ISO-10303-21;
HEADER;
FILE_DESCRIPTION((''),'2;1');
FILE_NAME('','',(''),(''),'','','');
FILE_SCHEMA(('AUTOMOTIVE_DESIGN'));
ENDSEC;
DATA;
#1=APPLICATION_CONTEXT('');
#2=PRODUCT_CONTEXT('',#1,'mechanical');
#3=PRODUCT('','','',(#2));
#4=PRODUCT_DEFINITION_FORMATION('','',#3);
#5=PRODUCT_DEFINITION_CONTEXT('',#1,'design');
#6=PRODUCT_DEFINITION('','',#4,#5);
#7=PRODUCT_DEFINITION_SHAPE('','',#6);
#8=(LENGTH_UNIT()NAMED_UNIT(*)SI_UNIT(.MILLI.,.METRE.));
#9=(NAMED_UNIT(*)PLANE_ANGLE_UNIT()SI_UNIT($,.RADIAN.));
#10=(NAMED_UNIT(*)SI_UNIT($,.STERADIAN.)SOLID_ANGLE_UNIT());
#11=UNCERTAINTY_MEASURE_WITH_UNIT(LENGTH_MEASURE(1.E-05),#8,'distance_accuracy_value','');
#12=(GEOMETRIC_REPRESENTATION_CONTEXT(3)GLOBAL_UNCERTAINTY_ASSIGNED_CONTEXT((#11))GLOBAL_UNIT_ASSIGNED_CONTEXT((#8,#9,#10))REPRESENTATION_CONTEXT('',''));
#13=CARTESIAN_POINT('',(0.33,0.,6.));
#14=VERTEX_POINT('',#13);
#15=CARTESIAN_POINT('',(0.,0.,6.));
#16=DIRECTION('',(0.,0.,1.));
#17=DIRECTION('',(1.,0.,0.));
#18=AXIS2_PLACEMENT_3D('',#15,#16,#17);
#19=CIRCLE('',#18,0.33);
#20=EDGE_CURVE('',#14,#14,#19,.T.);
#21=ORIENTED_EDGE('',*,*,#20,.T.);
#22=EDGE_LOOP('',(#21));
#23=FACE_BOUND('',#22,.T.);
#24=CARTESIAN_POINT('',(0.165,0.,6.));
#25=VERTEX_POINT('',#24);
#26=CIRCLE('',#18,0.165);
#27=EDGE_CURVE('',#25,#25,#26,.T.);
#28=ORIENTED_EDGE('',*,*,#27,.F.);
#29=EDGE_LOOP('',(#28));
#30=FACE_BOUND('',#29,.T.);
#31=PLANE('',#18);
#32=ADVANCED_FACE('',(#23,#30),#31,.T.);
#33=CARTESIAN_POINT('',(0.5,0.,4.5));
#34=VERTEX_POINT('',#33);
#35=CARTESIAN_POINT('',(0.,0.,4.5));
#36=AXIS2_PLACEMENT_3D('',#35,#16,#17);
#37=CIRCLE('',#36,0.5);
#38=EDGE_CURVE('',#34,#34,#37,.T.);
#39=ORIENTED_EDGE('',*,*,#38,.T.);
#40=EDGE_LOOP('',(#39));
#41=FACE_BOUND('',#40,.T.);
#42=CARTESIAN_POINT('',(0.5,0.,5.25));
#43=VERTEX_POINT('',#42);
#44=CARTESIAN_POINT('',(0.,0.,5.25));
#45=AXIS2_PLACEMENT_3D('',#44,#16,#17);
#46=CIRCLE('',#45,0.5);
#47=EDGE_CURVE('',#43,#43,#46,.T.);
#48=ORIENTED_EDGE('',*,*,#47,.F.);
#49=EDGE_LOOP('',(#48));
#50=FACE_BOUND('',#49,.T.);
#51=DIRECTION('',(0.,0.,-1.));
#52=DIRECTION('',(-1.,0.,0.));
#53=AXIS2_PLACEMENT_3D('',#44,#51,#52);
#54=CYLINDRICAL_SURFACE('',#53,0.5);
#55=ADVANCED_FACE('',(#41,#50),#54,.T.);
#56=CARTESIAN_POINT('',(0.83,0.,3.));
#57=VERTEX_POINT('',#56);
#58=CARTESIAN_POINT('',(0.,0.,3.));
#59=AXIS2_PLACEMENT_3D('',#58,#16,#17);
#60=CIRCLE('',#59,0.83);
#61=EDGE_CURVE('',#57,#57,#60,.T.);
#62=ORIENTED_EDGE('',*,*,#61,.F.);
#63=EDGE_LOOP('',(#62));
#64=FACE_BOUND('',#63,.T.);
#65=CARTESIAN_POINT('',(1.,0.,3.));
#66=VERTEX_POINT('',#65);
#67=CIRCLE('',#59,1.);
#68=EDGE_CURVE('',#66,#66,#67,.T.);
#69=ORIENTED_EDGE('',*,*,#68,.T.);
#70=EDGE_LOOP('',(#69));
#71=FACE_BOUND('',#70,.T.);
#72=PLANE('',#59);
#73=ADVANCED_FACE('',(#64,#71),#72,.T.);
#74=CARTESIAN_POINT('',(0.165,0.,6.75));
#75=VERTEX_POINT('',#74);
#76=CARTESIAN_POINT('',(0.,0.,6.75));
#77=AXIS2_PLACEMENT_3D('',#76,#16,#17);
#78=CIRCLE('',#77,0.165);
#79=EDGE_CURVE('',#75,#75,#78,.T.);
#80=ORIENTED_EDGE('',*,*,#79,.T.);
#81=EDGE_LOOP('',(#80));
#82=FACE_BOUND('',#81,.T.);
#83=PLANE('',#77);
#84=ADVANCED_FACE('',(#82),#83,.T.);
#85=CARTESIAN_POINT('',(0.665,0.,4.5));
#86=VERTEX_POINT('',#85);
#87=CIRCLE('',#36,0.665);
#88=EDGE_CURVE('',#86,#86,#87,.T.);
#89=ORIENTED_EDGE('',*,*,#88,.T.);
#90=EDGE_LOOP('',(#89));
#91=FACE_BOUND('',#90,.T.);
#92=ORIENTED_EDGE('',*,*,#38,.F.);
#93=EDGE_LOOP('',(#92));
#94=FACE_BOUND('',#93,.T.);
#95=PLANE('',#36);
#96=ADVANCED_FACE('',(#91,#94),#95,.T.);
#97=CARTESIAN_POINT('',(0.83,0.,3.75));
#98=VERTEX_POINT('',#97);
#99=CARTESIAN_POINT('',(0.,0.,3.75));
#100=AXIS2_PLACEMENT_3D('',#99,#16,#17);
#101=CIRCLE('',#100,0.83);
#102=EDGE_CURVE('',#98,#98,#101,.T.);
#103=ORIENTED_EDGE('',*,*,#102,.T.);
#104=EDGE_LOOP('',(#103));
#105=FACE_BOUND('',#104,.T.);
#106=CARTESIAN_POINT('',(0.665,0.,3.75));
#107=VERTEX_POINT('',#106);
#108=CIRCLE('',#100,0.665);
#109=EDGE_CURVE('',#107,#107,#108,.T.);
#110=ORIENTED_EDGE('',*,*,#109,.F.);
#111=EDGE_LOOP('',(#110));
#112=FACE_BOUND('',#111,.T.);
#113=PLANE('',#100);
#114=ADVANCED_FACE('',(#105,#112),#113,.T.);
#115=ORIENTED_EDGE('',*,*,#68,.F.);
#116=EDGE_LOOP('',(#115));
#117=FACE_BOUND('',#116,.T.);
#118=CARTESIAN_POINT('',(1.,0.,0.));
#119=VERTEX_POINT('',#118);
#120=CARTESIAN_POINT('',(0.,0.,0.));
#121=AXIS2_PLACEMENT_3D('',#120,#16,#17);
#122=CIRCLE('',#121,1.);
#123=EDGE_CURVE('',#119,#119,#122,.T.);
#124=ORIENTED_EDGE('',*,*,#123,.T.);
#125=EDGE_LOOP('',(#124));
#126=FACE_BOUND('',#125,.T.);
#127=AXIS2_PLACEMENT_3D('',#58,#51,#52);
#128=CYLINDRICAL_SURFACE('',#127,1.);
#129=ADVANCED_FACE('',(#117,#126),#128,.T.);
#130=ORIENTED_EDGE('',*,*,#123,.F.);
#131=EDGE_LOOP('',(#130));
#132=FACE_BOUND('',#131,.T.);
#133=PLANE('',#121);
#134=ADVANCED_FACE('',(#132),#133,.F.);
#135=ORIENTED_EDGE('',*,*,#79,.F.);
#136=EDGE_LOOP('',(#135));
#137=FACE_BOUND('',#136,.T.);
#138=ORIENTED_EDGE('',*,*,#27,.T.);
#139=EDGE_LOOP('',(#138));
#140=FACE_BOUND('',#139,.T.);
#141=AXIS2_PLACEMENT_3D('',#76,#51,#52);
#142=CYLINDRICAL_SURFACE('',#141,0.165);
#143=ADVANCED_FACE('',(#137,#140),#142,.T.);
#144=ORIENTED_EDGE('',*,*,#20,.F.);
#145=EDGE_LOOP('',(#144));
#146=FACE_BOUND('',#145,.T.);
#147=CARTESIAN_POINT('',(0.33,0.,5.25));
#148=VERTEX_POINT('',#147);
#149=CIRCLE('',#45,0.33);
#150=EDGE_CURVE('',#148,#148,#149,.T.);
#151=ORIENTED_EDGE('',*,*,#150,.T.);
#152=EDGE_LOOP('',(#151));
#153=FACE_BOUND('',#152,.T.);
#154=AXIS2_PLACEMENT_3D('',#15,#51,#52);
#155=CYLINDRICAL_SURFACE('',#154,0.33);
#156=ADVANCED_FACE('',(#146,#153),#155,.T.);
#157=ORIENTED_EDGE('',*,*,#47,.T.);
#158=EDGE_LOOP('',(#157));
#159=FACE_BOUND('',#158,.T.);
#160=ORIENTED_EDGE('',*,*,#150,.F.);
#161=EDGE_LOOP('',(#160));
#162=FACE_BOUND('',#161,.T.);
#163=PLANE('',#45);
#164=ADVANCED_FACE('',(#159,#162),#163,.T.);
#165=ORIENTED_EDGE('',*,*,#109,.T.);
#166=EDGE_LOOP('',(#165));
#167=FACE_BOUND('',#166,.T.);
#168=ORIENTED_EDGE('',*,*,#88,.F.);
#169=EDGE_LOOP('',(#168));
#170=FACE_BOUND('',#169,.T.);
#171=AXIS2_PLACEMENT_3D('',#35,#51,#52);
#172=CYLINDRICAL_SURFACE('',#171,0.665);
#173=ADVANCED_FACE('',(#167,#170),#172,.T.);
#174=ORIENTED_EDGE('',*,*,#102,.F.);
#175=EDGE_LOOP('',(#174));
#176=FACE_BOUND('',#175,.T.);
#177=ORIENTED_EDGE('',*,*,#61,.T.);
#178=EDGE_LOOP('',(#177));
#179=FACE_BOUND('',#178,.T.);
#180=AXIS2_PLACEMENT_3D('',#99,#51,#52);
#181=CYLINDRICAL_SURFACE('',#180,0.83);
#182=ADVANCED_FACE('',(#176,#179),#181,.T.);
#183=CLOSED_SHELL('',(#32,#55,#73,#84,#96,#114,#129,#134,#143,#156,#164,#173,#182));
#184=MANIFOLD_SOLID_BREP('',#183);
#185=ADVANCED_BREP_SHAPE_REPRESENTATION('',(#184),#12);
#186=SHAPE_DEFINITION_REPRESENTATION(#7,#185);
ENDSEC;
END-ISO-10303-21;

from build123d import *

# Parameters (mm, degrees)
SKETCH1_R           = 1
BOSS_EXTRUDE1_DEPTH = 3
SKETCH2_R           = 0.33
SKETCH2_R_2         = 0.165
BOSS_EXTRUDE2_DEPTH = 3
SKETCH2_3_R         = 0.5
SKETCH2_3_R_2       = 0.33
BOSS_EXTRUDE3_DEPTH = 2.25
SKETCH2_4_R         = 0.665
SKETCH2_4_R_2       = 0.5
BOSS_EXTRUDE4_DEPTH = 1.5
SKETCH2_6_R         = 0.83
SKETCH2_6_R_2       = 0.665
BOSS_EXTRUDE6_DEPTH = 0.75
SKETCH2_7_R         = 0.165
BOSS_EXTRUDE7_DEPTH = 3.75


with BuildPart() as part:
    # Sketch1 → Boss-Extrude1 (new body)
    with BuildSketch(Plane.XY):
        Circle(SKETCH1_R)
    extrude(amount=BOSS_EXTRUDE1_DEPTH)

    # Sketch2 → Boss-Extrude2 (add)
    with BuildSketch(Plane.XY.offset(3)):
        Circle(SKETCH2_R)
        Circle(SKETCH2_R_2, mode=Mode.SUBTRACT)
    extrude(amount=BOSS_EXTRUDE2_DEPTH)

    # Sketch2<3> → Boss-Extrude3 (add)
    with BuildSketch(Plane.XY.offset(3)):
        Circle(SKETCH2_3_R)
        Circle(SKETCH2_3_R_2, mode=Mode.SUBTRACT)
    extrude(amount=BOSS_EXTRUDE3_DEPTH)

    # Sketch2<4> → Boss-Extrude4 (add)
    with BuildSketch(Plane.XY.offset(3)):
        Circle(SKETCH2_4_R)
        Circle(SKETCH2_4_R_2, mode=Mode.SUBTRACT)
    extrude(amount=BOSS_EXTRUDE4_DEPTH)

    # Sketch2<6> → Boss-Extrude6 (add)
    with BuildSketch(Plane.XY.offset(3)):
        Circle(SKETCH2_6_R)
        Circle(SKETCH2_6_R_2, mode=Mode.SUBTRACT)
    extrude(amount=BOSS_EXTRUDE6_DEPTH)

    # Sketch2<7> → Boss-Extrude7 (add)
    with BuildSketch(Plane.XY.offset(3)):
        Circle(SKETCH2_7_R)
    extrude(amount=BOSS_EXTRUDE7_DEPTH)


solid = part.part
